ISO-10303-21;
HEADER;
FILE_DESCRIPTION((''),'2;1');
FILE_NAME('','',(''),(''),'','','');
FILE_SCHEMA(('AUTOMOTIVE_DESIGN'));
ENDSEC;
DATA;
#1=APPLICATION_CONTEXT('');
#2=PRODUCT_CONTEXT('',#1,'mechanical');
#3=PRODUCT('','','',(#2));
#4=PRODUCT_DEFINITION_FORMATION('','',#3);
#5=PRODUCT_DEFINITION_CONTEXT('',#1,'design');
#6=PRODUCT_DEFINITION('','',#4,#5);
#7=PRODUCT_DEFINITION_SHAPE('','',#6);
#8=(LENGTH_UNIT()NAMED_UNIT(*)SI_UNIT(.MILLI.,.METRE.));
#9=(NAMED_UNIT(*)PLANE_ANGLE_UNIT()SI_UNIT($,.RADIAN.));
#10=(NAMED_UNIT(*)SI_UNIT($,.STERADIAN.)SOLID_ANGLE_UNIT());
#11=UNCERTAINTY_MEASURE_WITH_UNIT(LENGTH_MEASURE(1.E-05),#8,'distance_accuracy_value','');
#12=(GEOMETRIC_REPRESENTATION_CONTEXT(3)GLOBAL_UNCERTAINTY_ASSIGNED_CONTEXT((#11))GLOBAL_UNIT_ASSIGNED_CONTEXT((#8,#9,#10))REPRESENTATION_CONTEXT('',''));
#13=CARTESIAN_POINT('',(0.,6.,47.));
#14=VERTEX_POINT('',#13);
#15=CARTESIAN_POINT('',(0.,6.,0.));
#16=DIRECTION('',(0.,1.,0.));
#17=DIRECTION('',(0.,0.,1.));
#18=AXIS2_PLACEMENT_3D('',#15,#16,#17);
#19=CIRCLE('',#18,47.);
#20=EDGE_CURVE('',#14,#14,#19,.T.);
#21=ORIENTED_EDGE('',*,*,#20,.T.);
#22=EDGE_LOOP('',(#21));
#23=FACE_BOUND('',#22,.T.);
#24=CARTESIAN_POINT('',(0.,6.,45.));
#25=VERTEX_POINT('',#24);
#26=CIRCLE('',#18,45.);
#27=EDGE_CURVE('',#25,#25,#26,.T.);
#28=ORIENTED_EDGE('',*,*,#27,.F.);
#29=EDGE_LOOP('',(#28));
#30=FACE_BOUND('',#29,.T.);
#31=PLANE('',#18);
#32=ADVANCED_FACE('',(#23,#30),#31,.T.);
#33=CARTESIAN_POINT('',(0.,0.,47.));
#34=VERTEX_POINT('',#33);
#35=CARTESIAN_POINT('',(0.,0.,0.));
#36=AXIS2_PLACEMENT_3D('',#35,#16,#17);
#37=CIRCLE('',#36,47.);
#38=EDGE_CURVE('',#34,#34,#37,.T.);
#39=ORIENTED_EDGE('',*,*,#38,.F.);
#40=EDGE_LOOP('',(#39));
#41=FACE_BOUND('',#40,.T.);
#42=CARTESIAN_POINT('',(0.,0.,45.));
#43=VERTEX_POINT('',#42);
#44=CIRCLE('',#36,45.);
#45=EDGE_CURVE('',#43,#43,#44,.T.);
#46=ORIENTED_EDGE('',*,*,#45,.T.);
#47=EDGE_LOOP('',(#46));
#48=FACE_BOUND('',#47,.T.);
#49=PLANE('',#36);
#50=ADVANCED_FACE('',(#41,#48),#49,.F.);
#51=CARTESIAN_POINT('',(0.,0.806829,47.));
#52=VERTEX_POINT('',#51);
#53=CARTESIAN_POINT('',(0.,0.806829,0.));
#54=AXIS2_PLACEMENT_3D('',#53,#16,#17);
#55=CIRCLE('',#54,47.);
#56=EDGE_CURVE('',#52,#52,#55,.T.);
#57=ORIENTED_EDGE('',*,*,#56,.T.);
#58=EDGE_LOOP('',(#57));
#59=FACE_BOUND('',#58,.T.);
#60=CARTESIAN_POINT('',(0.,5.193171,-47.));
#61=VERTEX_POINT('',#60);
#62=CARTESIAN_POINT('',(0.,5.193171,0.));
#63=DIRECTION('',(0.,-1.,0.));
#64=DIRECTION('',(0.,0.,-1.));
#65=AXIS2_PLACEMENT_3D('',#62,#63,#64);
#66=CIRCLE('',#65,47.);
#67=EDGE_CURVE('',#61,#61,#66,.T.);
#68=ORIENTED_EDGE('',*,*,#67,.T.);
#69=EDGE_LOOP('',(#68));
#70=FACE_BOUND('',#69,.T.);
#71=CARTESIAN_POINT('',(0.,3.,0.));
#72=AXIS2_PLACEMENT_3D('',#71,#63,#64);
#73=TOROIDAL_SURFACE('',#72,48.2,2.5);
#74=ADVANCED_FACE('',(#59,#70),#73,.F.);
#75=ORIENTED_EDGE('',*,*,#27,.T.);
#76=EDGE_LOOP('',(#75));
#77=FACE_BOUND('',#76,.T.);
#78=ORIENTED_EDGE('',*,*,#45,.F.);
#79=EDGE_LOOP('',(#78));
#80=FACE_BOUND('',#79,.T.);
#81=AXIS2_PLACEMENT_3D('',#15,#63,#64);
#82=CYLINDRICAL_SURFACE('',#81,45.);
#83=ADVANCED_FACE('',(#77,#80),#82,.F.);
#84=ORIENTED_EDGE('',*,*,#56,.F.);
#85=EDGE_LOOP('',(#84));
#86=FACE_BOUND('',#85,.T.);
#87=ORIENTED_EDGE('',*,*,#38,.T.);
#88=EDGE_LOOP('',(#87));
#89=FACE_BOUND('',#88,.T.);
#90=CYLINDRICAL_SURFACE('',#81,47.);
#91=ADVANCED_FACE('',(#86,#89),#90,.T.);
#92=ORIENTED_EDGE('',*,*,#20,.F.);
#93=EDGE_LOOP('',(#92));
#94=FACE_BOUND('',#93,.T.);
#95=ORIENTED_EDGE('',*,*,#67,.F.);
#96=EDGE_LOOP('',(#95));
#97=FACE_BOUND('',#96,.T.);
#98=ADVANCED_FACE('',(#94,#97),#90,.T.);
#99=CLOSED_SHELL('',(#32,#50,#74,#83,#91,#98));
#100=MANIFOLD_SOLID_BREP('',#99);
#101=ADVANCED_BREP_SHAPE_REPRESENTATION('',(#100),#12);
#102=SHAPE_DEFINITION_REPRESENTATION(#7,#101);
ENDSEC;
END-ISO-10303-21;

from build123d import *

# Parameters (mm, degrees)
SKETCH1_R           = 47
SKETCH1_R_2         = 45
BOSS_EXTRUDE1_DEPTH = 6
SKETCH4_R           = 2.5


with BuildPart() as part:
    # Sketch1 → Boss-Extrude1 (new body)
    with BuildSketch(Plane(origin=(0, 0, 0), x_dir=(1, 0, 0), z_dir=(0, 1, 0))):
        Circle(SKETCH1_R)
        Circle(SKETCH1_R_2, mode=Mode.SUBTRACT)
    extrude(amount=BOSS_EXTRUDE1_DEPTH)

    # Sketch4 → Cut-Revolve2 (revolve, cut)
    with BuildSketch(Plane(origin=(0, 0, 0), x_dir=(0, 0, -1), z_dir=(1, 0, 0))):
        with Locations((-48.2, 3)):
            Circle(SKETCH4_R)
    revolve(axis=Axis((0, 0, 0), (0, 1, 0)), mode=Mode.SUBTRACT)


solid = part.part
